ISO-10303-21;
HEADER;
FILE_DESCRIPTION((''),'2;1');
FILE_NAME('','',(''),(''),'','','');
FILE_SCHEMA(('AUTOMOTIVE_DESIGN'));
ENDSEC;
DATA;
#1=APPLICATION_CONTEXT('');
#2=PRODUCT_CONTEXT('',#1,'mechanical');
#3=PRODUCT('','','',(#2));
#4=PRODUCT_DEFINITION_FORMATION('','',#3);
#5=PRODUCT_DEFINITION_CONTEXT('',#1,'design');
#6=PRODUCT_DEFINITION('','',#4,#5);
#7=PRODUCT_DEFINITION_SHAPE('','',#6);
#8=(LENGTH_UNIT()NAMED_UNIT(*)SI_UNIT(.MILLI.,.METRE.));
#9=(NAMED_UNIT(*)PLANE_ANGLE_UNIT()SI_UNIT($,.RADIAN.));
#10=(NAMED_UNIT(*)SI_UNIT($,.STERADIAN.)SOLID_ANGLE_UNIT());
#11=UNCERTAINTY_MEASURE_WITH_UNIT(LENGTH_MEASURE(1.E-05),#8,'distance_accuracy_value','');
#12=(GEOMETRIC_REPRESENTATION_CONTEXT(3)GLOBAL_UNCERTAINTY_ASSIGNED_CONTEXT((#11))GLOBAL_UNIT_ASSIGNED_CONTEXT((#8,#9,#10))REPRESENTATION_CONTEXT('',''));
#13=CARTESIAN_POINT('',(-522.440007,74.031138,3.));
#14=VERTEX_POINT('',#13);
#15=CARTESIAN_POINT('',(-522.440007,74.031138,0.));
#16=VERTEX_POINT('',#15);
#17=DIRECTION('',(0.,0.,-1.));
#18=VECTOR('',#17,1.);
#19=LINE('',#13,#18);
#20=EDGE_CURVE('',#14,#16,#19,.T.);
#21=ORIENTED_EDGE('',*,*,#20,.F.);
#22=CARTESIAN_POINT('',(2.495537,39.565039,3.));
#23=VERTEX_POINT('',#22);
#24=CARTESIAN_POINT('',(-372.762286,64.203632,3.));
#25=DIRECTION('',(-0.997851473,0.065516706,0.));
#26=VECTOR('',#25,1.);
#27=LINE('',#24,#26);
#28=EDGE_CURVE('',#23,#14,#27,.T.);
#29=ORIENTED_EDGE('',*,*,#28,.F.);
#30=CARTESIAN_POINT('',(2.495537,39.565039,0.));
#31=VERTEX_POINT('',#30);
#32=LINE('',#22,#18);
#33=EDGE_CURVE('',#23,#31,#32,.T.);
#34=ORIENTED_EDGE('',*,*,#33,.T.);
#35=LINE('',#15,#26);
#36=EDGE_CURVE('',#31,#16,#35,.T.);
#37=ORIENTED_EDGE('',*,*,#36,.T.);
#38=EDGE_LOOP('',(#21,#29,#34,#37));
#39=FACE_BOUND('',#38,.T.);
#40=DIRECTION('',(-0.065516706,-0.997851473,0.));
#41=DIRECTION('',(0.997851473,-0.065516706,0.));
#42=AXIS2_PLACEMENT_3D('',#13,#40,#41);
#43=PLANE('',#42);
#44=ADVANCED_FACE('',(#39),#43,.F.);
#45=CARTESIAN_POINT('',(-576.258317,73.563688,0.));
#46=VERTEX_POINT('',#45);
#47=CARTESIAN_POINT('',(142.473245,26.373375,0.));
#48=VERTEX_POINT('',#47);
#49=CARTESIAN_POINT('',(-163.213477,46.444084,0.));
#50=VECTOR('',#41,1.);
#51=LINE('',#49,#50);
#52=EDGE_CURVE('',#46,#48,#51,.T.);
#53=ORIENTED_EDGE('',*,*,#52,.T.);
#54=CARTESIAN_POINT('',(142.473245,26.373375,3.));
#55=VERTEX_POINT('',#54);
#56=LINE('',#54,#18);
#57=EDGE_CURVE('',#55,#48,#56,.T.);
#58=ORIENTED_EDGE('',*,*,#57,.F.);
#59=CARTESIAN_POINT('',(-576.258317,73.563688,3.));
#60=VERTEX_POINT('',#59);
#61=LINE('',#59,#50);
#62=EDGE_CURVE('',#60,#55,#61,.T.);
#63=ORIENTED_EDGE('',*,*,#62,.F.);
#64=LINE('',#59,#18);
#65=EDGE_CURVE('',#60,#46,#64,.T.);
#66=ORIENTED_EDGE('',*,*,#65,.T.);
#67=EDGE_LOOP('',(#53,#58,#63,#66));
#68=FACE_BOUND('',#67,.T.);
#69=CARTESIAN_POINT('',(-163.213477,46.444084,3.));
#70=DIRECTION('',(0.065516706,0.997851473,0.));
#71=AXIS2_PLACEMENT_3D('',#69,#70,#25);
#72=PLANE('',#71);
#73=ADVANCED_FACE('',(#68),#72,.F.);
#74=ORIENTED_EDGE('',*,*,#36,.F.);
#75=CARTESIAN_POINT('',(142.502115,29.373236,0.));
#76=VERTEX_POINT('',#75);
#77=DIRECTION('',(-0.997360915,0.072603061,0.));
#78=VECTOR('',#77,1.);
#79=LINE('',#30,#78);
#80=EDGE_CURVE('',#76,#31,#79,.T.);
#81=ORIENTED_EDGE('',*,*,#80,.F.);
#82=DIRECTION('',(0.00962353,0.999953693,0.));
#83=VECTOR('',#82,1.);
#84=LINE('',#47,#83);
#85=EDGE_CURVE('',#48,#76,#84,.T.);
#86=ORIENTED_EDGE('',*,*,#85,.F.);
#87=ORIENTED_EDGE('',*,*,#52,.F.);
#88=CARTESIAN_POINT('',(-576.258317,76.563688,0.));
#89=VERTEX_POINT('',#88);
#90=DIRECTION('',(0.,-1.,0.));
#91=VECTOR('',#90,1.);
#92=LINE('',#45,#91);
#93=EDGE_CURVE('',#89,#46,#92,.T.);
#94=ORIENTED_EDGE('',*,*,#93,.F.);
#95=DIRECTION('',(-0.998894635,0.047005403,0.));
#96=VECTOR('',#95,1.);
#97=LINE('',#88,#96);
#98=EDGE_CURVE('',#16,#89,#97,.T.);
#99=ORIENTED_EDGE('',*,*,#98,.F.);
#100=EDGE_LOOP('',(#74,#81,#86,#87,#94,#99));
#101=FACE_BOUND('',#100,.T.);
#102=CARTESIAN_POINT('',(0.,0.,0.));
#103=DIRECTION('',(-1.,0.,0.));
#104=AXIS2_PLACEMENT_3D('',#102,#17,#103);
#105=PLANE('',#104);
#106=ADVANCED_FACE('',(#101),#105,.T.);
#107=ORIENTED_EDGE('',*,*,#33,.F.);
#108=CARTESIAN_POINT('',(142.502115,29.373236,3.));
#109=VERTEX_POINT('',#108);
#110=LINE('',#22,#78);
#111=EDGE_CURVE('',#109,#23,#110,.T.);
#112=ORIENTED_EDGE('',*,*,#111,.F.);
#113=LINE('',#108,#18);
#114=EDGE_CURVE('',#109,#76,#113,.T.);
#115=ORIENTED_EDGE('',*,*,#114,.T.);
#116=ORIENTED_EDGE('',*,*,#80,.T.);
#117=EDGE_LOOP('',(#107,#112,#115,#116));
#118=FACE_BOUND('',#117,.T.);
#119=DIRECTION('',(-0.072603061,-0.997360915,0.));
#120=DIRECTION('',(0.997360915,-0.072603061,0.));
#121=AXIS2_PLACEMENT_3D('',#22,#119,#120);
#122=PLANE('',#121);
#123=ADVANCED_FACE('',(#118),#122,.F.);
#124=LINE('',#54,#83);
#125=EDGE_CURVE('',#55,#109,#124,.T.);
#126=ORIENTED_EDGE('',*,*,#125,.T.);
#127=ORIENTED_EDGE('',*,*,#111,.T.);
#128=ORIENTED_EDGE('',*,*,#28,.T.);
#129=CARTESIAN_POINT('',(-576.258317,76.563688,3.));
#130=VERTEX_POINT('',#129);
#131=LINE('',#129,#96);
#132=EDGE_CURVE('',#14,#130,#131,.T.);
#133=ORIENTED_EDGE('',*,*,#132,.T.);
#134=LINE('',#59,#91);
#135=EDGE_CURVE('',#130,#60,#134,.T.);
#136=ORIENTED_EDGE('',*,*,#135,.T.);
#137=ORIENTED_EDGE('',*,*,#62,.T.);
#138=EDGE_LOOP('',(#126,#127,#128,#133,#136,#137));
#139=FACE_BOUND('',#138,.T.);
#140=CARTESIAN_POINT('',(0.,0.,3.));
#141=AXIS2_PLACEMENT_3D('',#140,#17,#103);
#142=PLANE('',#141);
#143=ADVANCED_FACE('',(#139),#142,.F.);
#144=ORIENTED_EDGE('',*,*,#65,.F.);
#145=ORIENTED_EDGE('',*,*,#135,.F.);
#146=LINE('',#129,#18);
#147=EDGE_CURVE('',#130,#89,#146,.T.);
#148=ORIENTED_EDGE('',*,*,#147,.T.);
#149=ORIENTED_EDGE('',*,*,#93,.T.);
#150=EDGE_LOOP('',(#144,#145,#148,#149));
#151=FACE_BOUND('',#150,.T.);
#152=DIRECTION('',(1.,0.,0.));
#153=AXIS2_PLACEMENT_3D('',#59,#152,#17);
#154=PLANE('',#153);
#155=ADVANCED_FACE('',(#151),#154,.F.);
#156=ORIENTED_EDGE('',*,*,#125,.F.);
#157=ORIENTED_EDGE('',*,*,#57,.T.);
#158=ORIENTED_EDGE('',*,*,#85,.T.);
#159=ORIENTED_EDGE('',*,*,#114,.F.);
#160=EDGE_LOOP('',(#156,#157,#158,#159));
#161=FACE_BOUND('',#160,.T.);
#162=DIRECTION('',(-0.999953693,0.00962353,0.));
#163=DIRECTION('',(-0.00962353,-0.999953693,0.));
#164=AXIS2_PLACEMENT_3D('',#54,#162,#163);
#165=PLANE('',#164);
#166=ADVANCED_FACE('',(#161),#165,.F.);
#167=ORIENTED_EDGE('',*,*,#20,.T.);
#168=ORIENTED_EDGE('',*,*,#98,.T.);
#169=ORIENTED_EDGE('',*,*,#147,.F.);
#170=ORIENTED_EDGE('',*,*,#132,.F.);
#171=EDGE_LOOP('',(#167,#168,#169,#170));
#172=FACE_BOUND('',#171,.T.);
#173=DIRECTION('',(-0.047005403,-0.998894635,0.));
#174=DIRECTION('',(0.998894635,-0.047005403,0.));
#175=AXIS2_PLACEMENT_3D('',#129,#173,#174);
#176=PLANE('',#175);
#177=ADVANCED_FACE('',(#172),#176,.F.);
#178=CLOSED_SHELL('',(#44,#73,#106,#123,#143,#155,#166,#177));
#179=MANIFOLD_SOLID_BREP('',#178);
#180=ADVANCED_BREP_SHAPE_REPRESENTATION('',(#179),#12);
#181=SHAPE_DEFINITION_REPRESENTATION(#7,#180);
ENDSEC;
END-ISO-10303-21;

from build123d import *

# Parameters (mm, degrees)
EXTRUDE_1_DEPTH = 3


with BuildPart() as part:
    # Model → 凸台-拉伸1 (new body)
    with BuildSketch(Plane.XY):
        Polygon((-576.258316645, 73.563688345), (-532.418521463, 70.685265019), (-516.387228291, 69.632686008), (-472.54743311, 66.754262682), (-356.730992682, 59.15001311), (-163.213476617, 46.444083941), (142.473244876, 26.373374529), (142.502115467, 29.373235607), (2.495537439, 39.565038713), (-372.762285854, 64.203631744), (-466.494654663, 70.357890352), (-522.440006738, 74.031137586), (-576.258316645, 76.563688345), align=None)
    extrude(amount=EXTRUDE_1_DEPTH)


solid = part.part
